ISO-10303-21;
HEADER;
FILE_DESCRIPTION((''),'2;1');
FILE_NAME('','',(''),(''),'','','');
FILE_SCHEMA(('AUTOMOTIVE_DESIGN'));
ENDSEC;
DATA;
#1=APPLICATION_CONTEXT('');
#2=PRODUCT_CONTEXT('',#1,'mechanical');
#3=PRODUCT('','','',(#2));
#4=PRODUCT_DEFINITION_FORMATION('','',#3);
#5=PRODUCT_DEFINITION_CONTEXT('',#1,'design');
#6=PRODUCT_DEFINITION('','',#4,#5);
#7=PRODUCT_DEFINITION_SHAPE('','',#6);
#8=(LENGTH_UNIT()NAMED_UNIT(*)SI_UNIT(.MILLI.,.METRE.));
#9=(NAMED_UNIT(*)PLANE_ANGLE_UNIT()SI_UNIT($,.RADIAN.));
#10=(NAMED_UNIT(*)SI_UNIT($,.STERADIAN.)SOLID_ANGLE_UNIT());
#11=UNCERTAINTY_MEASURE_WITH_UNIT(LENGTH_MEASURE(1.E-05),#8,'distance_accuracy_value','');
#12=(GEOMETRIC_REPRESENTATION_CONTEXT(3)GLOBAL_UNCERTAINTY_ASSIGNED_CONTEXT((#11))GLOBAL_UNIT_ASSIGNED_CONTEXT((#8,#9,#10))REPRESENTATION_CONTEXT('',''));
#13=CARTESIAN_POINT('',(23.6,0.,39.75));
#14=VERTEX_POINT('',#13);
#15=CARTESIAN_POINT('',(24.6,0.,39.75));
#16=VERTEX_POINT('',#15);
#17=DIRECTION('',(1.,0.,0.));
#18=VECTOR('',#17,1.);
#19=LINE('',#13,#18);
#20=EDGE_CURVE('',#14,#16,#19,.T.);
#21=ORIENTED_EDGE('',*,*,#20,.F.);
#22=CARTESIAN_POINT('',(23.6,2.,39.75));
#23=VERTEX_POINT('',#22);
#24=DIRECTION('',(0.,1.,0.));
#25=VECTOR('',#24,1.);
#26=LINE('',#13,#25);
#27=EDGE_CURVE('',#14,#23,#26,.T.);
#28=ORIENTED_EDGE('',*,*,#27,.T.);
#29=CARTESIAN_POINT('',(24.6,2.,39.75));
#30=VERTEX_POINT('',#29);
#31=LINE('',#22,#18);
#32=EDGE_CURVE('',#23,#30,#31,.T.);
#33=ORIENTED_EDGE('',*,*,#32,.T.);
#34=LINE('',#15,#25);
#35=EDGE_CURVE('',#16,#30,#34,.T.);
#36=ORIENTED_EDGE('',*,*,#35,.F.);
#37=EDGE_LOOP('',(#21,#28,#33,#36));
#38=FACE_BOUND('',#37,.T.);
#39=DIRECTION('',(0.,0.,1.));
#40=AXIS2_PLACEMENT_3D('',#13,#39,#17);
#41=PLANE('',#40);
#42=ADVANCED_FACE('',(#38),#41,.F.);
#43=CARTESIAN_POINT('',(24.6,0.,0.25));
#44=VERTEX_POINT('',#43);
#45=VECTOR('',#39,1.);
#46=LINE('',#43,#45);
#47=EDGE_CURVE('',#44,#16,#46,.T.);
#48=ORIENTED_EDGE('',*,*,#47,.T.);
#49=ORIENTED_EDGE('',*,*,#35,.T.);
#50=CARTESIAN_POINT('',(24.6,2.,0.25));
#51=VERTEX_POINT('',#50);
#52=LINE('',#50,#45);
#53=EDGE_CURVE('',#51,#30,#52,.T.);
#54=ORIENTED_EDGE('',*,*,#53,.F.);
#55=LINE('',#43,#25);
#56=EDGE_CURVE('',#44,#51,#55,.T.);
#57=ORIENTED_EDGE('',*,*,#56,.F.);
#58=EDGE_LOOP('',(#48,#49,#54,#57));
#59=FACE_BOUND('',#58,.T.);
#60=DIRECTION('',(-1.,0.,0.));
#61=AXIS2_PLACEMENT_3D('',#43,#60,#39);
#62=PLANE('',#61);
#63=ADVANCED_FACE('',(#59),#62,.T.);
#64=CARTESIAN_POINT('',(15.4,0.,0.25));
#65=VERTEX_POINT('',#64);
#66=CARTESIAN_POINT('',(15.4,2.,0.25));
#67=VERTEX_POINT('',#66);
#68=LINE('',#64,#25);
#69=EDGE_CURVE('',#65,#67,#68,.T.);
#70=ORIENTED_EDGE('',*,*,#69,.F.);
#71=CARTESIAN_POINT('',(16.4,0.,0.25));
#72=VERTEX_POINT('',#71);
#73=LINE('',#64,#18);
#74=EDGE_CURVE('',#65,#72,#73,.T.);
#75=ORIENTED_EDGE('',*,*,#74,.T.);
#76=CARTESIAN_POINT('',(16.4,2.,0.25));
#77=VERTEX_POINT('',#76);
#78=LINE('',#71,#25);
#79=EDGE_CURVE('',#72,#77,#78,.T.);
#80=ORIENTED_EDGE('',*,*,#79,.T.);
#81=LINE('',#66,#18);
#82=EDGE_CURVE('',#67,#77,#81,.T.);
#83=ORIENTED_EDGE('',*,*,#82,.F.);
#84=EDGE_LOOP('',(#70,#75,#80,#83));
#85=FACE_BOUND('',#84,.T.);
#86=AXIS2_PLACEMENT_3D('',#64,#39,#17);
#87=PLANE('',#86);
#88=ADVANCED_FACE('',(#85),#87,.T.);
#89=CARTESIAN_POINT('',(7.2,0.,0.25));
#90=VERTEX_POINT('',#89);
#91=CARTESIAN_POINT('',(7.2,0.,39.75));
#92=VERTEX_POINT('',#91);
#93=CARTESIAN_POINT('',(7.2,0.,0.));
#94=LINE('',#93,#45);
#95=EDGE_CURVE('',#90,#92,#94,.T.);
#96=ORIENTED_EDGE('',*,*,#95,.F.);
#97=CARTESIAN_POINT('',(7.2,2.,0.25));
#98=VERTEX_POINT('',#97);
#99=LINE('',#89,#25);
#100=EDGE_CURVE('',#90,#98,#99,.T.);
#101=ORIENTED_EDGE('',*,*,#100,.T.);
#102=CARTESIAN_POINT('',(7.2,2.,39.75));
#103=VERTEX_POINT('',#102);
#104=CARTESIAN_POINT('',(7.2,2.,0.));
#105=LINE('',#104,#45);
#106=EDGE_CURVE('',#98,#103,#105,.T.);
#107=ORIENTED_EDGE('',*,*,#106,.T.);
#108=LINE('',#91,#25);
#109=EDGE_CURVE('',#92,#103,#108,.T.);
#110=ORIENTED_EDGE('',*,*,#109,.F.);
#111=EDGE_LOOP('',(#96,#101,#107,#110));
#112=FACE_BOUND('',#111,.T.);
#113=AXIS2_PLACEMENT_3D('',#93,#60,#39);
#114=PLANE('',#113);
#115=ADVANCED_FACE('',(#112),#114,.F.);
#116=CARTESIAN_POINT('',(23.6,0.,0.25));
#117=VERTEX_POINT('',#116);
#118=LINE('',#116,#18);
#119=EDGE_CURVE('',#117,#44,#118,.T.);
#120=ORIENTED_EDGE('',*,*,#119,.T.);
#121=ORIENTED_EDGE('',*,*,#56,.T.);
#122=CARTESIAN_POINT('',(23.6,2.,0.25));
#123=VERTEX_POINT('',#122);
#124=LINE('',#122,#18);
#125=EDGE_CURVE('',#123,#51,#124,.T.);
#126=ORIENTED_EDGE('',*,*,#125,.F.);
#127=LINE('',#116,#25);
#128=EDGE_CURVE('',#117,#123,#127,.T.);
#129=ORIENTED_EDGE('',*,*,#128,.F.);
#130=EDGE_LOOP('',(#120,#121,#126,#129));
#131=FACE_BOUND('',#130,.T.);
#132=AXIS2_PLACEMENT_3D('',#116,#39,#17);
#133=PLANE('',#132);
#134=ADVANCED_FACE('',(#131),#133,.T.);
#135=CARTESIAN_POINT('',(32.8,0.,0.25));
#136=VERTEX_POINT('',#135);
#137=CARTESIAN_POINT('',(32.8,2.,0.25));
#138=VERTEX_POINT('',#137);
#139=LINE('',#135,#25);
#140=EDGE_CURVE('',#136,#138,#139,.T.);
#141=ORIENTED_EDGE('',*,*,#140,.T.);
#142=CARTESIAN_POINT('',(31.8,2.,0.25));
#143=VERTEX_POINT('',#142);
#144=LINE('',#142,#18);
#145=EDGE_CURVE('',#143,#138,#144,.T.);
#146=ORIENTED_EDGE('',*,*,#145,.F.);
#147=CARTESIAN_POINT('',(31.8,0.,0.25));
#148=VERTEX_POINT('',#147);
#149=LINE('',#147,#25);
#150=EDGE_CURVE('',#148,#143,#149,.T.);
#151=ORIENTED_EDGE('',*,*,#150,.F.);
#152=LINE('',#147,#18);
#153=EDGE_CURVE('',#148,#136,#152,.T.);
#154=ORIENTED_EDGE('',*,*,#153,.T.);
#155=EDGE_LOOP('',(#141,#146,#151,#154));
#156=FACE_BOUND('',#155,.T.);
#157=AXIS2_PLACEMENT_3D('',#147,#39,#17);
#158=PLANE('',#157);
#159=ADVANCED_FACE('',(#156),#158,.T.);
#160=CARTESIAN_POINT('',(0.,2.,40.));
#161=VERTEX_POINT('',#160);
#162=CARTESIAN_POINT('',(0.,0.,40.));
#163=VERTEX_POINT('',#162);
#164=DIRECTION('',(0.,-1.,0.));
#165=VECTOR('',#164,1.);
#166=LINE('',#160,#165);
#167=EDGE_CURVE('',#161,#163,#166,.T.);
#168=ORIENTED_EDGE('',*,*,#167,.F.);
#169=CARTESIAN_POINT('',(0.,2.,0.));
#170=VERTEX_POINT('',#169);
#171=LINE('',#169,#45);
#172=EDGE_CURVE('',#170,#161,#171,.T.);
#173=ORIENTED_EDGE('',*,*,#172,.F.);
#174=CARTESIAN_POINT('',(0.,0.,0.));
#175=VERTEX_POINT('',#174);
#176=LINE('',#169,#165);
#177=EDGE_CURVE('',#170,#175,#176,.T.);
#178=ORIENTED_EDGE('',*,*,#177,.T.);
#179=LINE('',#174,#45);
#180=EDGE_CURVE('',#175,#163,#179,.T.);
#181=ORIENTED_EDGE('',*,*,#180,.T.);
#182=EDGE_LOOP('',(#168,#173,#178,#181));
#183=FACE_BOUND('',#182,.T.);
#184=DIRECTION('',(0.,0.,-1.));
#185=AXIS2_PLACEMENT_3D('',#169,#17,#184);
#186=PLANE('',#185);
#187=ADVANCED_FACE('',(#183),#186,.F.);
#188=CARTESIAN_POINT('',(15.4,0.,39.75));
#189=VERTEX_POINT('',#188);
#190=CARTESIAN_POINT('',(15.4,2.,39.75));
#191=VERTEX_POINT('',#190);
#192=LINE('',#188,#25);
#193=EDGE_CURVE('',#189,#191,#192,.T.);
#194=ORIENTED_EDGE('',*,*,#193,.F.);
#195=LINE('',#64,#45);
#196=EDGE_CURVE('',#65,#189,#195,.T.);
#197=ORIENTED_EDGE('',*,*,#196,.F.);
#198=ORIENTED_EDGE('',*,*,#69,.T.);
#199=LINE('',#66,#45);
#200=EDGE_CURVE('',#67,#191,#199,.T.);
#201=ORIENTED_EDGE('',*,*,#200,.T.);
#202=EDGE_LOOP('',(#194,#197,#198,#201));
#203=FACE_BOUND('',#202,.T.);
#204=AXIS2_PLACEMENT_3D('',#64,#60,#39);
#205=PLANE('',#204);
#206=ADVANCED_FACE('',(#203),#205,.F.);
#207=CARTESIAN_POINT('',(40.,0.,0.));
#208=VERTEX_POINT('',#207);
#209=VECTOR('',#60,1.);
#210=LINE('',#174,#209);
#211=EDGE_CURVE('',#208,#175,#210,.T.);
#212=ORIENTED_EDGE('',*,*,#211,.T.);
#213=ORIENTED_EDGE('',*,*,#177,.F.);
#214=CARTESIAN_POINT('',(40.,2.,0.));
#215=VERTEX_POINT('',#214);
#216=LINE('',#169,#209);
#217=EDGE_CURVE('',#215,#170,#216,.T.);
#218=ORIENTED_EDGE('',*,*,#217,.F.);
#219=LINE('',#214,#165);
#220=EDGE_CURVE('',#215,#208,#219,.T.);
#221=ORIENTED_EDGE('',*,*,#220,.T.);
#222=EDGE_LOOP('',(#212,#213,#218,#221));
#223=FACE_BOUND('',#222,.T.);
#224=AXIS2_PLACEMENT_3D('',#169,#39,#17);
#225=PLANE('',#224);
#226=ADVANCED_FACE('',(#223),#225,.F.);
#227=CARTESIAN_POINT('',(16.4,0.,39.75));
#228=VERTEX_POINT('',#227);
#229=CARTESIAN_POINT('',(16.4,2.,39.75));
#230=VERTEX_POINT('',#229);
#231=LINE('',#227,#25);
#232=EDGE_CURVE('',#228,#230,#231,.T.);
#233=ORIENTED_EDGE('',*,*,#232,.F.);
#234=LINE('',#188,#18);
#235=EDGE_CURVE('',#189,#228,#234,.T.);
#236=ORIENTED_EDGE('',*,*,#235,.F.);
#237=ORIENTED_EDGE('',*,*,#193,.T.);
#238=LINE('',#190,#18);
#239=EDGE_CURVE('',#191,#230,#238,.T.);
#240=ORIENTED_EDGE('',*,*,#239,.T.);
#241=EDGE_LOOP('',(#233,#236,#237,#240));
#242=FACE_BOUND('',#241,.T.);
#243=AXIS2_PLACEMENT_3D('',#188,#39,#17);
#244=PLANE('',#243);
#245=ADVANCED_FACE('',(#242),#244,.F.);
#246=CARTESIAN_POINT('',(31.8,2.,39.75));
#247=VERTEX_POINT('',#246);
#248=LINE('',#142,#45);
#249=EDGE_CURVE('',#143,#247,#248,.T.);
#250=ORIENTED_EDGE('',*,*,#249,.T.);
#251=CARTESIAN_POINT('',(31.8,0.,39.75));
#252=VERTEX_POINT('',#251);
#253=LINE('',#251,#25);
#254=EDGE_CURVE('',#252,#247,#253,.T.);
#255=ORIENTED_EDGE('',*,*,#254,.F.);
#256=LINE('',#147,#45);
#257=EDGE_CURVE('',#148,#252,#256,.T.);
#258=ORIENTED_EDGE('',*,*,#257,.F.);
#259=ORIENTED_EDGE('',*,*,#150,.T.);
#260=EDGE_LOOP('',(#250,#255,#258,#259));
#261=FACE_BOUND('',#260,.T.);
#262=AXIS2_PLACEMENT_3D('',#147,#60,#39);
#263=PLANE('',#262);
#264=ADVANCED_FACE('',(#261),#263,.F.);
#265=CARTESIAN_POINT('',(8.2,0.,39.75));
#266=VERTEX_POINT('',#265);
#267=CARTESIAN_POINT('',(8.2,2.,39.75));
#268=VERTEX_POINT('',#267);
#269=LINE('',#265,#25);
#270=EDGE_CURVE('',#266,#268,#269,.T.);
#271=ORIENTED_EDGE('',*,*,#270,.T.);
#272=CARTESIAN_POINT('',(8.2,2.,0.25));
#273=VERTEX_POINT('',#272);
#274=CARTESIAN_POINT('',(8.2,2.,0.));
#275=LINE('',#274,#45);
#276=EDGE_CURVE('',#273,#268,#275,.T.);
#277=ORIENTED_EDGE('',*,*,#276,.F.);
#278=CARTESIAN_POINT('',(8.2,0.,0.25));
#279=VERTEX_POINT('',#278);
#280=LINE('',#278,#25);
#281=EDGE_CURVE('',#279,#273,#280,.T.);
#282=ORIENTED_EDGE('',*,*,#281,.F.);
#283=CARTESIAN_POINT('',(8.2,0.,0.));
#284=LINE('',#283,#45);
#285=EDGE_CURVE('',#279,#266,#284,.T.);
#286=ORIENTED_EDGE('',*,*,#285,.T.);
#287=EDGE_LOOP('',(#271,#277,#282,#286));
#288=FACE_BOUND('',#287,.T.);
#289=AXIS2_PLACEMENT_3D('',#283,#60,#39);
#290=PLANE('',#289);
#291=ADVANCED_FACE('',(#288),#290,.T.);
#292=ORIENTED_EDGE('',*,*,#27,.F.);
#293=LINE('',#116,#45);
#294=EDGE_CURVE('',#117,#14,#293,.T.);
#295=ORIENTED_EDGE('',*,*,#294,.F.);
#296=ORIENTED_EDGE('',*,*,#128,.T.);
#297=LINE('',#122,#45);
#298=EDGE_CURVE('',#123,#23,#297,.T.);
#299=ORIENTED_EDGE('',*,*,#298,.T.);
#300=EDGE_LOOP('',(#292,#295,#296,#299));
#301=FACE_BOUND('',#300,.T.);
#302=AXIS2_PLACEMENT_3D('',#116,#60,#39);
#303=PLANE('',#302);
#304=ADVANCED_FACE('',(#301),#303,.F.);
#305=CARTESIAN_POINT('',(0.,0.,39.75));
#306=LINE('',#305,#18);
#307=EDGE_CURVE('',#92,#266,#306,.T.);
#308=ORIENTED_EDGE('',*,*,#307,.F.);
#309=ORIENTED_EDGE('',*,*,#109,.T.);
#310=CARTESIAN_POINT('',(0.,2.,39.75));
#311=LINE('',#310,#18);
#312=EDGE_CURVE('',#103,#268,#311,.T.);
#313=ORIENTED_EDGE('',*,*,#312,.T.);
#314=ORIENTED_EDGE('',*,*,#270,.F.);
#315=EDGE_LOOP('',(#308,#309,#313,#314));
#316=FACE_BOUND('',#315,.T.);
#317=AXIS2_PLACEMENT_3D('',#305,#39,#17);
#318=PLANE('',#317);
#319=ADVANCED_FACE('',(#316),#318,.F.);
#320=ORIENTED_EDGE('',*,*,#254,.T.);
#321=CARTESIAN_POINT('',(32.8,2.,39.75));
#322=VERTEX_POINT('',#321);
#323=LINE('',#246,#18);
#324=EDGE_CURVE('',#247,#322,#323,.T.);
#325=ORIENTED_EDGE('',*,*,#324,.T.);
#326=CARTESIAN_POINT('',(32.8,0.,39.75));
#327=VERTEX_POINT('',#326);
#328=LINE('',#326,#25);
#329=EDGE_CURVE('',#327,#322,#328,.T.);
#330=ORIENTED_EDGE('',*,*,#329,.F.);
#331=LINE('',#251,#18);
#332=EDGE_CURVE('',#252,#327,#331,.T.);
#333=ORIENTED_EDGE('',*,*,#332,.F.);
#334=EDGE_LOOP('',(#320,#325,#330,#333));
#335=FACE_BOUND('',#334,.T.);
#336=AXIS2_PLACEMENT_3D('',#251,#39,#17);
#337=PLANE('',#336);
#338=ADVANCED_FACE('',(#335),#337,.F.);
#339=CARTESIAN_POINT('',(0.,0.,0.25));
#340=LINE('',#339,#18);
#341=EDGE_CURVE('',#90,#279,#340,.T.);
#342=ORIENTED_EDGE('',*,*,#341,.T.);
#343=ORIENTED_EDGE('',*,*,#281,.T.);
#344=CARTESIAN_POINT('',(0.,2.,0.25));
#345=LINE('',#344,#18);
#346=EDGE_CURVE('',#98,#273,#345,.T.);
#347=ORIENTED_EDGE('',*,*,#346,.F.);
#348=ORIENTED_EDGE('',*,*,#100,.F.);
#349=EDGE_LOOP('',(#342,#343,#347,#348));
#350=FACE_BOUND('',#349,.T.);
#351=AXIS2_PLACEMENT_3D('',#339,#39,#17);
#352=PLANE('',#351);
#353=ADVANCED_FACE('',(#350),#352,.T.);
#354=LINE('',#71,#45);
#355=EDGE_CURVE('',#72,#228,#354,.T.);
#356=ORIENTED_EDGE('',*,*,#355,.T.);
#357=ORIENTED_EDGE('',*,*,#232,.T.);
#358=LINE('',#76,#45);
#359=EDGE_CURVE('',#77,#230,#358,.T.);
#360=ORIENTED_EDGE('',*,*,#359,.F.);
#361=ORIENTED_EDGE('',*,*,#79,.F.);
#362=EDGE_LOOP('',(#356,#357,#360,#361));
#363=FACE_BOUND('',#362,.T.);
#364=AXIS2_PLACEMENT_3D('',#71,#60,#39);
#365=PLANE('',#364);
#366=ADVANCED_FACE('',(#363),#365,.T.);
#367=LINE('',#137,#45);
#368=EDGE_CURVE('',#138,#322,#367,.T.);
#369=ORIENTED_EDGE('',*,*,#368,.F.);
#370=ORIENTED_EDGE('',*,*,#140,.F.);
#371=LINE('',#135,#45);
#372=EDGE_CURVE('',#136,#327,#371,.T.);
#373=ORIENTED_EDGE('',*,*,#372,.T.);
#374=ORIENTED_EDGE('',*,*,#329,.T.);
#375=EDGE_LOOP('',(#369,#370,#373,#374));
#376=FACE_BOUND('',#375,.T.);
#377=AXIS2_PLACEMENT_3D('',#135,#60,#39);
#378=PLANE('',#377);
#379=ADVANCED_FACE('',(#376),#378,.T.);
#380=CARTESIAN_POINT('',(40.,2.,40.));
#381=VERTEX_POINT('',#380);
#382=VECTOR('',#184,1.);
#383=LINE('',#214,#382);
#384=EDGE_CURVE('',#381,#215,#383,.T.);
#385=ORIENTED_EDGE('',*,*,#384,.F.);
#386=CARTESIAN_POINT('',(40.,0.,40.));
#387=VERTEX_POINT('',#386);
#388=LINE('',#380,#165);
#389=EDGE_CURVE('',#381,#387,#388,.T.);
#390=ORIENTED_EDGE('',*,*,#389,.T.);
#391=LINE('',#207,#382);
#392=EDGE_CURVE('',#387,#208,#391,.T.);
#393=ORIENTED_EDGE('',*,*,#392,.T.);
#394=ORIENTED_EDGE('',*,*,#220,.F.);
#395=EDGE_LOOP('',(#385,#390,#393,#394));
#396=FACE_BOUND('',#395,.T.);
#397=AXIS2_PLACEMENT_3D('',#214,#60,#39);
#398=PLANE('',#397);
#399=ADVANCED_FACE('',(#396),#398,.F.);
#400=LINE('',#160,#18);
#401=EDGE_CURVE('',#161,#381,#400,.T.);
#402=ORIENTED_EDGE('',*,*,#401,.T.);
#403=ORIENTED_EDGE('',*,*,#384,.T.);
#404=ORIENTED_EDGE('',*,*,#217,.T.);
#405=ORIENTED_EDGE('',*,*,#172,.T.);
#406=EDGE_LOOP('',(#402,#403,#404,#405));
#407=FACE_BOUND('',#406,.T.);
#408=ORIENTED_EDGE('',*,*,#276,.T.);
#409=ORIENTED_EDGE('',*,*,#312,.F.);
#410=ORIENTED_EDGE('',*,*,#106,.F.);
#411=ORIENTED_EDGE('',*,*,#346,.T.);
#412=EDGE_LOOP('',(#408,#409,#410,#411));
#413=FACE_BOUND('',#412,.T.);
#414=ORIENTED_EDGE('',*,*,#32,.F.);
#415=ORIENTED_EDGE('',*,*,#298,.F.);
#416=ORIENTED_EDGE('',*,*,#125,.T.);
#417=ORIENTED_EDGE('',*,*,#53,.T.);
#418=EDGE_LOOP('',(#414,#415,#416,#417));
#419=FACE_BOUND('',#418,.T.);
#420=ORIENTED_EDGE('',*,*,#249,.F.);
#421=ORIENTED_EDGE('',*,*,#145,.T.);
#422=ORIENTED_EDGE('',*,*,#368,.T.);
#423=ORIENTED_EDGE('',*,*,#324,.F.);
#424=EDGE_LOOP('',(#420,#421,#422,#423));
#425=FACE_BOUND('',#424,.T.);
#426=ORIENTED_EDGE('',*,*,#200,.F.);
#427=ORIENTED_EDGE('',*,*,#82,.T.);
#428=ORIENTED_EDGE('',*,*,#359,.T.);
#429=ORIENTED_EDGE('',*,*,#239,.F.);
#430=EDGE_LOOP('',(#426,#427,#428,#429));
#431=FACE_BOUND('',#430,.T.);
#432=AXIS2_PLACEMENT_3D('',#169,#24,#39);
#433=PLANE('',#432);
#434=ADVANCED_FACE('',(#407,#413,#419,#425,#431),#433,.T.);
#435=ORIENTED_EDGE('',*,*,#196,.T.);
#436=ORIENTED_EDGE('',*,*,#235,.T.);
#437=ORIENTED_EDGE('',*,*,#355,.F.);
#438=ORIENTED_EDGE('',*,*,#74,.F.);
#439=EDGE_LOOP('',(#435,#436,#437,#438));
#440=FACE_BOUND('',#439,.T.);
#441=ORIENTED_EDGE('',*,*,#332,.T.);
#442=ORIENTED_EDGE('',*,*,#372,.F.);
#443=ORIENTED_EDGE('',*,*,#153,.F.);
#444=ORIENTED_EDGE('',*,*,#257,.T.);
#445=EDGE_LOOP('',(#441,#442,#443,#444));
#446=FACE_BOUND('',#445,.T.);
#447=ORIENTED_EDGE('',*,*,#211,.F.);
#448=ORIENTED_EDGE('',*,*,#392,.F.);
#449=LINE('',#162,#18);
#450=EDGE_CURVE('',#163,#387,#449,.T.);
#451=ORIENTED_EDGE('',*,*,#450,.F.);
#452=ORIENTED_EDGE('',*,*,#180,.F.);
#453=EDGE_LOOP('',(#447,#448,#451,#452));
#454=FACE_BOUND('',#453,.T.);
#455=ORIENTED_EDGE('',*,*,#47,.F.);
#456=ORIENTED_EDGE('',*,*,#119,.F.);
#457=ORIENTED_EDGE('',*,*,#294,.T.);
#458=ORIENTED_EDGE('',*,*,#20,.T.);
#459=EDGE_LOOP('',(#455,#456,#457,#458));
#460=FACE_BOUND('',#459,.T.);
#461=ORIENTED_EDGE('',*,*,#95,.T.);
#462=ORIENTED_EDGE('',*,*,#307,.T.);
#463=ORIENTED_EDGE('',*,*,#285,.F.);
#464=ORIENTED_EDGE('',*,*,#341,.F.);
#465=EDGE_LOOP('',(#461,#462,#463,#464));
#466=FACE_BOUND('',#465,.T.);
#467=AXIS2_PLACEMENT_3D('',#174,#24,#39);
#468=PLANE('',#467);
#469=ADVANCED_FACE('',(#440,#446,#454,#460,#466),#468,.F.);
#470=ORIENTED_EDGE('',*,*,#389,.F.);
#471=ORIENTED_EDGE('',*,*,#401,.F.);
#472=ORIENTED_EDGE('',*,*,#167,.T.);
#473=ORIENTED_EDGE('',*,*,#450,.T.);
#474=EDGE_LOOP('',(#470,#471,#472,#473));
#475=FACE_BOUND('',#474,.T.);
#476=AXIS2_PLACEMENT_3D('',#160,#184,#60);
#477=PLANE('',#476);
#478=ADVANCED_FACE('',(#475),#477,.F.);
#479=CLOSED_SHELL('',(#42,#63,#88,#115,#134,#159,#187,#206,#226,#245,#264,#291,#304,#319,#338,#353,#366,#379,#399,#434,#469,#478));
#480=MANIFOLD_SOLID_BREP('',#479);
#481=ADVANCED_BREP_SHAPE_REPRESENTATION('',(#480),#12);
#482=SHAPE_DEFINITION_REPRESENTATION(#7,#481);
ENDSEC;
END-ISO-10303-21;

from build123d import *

# Parameters (mm, degrees)
SKETCH1_W           = 40
SKETCH1_H           = 40
BOSS_EXTRUDE1_DEPTH = 2
SKETCH2_W           = 1
SKETCH2_H           = 39.5
CUT_EXTRUDE1_DEPTH  = 57.603886792


with BuildPart() as part:
    # Sketch1 → Boss-Extrude1 (new body)
    with BuildSketch(Plane(origin=(0, 0, 0), x_dir=(1, 0, 0), z_dir=(0, 1, 0))):
        with Locations((20, -20)):
            Rectangle(SKETCH1_W, SKETCH1_H)
    extrude(amount=BOSS_EXTRUDE1_DEPTH)

    # Sketch2 → Cut-Extrude1 (cut, through all)
    with BuildSketch(Plane(origin=(0, 2, 0), x_dir=(1, 0, 0), z_dir=(0, 1, 0))):
        with Locations((7.7, -20)):
            Rectangle(SKETCH2_W, SKETCH2_H)
        with Locations((15.9, -20)):
            Rectangle(SKETCH2_W, SKETCH2_H)
        with Locations((24.1, -20)):
            Rectangle(SKETCH2_W, SKETCH2_H)
        with Locations((32.3, -20)):
            Rectangle(SKETCH2_W, SKETCH2_H)
    extrude(amount=-CUT_EXTRUDE1_DEPTH, mode=Mode.SUBTRACT)


solid = part.part
